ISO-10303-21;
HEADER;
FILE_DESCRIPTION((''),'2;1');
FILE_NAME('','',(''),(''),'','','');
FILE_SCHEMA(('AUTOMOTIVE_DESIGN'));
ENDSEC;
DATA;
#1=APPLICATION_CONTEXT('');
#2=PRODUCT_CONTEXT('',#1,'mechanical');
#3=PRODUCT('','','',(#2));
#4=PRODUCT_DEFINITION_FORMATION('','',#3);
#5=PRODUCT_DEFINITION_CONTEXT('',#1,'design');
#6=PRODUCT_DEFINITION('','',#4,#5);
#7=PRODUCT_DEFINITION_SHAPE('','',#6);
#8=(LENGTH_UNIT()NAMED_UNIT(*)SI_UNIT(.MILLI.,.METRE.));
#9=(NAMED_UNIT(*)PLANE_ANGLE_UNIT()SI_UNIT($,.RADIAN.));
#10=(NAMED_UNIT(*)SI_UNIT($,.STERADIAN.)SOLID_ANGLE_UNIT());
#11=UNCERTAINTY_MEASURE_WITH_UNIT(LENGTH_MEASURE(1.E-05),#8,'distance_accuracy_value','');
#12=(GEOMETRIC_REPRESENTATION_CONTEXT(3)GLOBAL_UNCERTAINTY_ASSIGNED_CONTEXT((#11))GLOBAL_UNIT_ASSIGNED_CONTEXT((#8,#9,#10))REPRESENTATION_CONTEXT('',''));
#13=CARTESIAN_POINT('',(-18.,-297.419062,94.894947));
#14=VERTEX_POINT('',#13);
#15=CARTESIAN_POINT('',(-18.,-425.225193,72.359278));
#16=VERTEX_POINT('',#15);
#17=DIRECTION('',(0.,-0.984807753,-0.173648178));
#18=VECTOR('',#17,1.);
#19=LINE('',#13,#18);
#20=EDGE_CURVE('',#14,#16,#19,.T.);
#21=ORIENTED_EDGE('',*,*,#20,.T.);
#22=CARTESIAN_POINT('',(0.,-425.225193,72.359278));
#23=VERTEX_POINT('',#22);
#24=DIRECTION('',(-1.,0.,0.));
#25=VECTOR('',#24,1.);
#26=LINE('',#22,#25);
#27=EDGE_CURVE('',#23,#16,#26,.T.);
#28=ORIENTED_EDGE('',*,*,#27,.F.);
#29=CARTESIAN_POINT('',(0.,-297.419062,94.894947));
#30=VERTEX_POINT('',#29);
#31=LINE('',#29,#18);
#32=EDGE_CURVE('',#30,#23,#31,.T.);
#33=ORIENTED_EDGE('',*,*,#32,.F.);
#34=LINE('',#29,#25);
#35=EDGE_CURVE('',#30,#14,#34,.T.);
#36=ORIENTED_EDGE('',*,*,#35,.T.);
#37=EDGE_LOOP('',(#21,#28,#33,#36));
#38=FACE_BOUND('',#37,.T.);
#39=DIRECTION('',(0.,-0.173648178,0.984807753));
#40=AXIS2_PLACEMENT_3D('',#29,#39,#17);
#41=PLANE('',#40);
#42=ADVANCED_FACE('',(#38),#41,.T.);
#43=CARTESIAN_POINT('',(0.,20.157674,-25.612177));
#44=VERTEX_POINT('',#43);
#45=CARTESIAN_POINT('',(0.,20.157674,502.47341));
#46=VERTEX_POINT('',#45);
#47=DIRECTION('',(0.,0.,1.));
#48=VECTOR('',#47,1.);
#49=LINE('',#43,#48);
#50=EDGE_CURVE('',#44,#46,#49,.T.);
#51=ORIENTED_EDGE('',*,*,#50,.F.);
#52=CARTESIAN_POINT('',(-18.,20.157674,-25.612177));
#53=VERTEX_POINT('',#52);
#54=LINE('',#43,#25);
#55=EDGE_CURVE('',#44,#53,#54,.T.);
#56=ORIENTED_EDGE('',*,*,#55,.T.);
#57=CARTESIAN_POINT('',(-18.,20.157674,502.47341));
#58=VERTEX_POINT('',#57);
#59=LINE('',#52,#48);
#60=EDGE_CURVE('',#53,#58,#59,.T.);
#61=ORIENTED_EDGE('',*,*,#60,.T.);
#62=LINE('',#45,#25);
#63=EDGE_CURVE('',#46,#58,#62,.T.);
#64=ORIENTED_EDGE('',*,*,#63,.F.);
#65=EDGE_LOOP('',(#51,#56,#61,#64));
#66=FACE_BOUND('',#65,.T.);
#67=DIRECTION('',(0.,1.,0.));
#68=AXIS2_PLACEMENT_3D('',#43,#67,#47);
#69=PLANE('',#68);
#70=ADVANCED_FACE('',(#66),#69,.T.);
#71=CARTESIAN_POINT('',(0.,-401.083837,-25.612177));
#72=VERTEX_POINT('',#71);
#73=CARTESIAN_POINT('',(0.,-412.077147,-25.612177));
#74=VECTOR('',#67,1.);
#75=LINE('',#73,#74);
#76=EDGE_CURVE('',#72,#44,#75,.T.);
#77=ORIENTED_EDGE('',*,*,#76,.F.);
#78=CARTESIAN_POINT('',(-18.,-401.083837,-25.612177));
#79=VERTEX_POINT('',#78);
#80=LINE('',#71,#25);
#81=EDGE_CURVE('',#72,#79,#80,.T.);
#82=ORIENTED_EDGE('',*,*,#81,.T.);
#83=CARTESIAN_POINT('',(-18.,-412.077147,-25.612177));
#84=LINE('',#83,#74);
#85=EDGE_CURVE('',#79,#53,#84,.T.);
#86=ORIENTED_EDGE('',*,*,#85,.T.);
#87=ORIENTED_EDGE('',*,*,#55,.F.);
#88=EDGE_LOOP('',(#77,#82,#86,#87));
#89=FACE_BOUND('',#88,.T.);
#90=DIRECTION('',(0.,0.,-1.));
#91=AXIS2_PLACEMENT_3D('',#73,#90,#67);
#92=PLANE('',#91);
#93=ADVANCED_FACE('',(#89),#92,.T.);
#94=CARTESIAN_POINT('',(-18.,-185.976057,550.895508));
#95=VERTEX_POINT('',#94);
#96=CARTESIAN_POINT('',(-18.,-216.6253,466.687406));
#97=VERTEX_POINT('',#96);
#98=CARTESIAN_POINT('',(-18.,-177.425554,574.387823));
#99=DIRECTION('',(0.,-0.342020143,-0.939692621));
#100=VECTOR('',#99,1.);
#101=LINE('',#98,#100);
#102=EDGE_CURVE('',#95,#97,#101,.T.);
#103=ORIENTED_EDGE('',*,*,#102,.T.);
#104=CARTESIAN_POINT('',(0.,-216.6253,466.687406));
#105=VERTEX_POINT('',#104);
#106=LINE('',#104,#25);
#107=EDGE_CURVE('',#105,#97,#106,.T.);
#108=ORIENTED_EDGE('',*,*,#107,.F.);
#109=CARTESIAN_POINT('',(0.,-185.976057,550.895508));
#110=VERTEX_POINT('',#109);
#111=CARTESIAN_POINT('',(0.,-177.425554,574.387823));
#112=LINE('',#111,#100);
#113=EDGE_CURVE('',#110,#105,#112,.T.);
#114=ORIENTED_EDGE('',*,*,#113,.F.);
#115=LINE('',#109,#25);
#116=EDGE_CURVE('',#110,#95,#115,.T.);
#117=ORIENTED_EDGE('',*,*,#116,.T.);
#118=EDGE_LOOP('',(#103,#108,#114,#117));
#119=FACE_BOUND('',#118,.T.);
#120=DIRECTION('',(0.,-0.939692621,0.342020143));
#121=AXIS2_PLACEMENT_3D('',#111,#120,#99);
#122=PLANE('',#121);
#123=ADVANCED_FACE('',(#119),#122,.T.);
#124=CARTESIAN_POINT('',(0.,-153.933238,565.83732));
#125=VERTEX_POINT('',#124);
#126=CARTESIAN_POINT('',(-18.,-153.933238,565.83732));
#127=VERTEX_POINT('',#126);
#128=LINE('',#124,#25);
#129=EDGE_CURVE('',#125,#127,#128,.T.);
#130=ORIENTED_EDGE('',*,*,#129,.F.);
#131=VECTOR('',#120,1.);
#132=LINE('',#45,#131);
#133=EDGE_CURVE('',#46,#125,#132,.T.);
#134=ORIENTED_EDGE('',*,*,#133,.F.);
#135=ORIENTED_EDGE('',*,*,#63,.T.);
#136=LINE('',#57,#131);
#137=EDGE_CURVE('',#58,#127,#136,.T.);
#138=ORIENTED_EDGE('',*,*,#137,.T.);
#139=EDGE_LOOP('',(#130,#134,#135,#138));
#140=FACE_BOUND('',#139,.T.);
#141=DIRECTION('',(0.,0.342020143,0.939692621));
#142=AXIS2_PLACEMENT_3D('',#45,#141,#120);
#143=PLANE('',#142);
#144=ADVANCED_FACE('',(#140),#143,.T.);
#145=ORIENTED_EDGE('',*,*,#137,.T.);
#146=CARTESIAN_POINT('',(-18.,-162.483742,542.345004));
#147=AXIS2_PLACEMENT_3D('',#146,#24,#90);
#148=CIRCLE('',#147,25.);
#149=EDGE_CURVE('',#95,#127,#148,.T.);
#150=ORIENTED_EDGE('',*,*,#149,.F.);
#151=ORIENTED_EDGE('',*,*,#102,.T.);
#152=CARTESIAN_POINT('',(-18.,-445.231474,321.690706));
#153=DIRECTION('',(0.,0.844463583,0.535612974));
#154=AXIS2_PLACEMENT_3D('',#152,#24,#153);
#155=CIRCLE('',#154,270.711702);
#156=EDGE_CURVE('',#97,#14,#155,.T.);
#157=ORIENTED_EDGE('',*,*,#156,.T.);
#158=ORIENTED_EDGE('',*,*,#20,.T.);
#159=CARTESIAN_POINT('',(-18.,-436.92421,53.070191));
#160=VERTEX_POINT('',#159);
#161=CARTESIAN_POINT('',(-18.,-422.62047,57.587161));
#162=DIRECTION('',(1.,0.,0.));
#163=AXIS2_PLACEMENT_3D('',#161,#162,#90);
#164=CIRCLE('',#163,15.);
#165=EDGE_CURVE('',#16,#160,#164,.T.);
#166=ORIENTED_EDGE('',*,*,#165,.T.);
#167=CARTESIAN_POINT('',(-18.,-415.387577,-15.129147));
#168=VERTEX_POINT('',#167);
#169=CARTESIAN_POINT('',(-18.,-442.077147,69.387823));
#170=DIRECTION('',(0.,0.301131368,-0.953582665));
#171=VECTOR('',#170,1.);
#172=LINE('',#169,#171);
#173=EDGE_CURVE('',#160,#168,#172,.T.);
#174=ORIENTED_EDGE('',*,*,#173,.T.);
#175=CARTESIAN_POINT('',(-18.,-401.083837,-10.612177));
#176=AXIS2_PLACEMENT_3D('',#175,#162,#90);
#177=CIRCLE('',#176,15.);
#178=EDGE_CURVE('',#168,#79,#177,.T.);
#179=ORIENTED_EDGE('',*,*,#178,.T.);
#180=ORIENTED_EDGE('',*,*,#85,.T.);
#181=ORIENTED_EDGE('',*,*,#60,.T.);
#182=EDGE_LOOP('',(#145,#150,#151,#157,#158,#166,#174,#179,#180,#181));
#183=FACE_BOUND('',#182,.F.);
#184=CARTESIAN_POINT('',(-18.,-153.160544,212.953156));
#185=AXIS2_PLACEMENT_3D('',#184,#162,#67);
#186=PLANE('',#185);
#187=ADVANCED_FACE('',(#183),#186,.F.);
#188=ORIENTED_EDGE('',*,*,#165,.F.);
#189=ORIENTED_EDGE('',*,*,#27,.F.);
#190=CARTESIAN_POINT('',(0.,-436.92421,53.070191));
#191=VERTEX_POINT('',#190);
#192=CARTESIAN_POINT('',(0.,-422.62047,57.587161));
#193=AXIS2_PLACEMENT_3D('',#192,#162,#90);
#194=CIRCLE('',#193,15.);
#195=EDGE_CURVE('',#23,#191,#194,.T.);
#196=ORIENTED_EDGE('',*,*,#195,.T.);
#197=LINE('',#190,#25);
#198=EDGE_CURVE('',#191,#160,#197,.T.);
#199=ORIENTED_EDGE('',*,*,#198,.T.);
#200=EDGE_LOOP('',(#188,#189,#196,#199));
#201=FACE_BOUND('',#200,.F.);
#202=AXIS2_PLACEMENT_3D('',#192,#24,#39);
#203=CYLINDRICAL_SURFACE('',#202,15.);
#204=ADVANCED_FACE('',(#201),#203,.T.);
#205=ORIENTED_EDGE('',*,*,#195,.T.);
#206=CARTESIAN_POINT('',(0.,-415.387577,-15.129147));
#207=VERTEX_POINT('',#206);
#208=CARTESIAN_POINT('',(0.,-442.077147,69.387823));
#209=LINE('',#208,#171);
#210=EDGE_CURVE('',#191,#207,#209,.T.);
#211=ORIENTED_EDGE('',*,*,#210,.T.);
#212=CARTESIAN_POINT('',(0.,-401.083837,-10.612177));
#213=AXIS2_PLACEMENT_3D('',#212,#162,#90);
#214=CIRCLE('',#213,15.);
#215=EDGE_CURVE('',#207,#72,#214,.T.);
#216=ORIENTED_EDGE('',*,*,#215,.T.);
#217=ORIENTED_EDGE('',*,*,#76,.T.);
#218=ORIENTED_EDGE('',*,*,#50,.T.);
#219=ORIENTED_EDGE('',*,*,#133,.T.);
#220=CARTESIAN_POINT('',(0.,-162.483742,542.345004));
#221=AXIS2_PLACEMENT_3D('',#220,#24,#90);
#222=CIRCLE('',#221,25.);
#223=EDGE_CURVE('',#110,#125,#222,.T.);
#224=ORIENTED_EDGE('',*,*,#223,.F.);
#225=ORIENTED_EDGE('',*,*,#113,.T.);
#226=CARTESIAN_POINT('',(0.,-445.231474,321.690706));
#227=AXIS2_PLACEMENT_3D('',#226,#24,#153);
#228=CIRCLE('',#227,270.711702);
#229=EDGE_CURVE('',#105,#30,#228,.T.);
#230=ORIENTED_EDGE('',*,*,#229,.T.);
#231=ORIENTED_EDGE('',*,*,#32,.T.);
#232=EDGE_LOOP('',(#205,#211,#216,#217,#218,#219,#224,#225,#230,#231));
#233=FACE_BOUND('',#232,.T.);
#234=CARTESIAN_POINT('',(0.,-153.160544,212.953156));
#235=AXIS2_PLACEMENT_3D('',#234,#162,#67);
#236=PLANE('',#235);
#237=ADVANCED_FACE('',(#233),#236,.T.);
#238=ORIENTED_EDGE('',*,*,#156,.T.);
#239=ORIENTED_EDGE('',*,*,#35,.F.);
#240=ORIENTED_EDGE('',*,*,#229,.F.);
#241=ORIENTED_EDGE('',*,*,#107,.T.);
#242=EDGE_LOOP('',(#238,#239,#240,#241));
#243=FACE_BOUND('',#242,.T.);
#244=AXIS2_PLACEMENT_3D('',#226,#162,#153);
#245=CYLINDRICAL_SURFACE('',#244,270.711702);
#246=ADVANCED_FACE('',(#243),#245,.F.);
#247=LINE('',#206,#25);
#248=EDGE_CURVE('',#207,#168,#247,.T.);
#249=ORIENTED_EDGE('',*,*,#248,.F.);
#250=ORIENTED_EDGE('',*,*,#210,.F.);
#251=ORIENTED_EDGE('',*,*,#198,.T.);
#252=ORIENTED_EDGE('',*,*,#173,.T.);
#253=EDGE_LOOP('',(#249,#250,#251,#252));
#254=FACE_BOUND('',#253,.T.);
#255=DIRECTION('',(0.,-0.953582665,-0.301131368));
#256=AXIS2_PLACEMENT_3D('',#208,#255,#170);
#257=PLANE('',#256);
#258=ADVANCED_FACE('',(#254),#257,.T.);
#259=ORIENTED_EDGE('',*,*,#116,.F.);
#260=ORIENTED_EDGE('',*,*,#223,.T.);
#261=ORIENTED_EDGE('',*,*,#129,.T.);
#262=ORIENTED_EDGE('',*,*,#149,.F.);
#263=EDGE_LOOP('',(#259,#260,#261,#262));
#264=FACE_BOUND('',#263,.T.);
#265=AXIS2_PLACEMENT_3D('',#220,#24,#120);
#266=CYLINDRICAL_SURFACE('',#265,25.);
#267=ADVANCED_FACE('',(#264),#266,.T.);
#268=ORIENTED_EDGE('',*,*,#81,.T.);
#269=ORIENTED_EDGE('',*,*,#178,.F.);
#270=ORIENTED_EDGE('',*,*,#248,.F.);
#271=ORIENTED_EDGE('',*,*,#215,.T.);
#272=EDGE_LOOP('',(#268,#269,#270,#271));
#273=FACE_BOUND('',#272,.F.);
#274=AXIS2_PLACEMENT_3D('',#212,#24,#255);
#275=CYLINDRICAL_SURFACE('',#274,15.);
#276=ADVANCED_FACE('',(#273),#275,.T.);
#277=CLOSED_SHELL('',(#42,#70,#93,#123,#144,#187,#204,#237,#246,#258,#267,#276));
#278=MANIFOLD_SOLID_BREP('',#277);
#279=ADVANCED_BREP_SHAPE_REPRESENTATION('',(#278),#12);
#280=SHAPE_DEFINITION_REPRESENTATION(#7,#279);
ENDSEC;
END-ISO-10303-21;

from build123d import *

# Parameters (mm, degrees)
F1_DEPTH = 1.8
F2_R     = 1.5
F3_R     = 2.5
F4_SCALE = 10


with BuildPart() as f1:
    # F0 (on Right) → F1 (new body)
    with BuildSketch(Plane.YZ):
        with BuildLine():
            Line((20.157673577, -25.612176564), (20.157673577, 27.1963820784))
            Line((20.157673577, 27.1963820784), (0.3993508334, 34.387823436))
            Line((0.3993508334, 34.387823436), (-3.5206237808, 23.6177816987))
            ThreePointArc((-3.5206237808, 23.6177816987), (0.0725196424, 3.3694774982), (-11.6, -13.5614642316))
            Line((-11.6, -13.5614642316), (-26.0658084777, -16.112176564))
            Line((-26.0658084777, -16.112176564), (-23.0658084777, -25.612176564))
            Line((-23.0658084777, -25.612176564), (20.157673577, -25.612176564))
        make_face()
    extrude(amount=-F1_DEPTH)

    # F2
    f2_edges = [f1.edges().sort_by_distance(p)[0] for p in [
        (-0.9, -26.065808, -16.112177),
        (-0.9, -23.065808, -25.612177),
    ]]
    fillet(f2_edges, radius=F2_R)

    # F3
    f3_edges = [f1.edges().sort_by_distance(p)[0] for p in [
        (-0.9, 0.399351, 34.387823),
    ]]
    fillet(f3_edges, radius=F3_R)


with BuildPart() as f1_1:
    # F4: moved
    add(f1.part.scale(F4_SCALE).moved(Location((0, -181.4190621927, 230.5095890756))))


solid = f1_1.part
